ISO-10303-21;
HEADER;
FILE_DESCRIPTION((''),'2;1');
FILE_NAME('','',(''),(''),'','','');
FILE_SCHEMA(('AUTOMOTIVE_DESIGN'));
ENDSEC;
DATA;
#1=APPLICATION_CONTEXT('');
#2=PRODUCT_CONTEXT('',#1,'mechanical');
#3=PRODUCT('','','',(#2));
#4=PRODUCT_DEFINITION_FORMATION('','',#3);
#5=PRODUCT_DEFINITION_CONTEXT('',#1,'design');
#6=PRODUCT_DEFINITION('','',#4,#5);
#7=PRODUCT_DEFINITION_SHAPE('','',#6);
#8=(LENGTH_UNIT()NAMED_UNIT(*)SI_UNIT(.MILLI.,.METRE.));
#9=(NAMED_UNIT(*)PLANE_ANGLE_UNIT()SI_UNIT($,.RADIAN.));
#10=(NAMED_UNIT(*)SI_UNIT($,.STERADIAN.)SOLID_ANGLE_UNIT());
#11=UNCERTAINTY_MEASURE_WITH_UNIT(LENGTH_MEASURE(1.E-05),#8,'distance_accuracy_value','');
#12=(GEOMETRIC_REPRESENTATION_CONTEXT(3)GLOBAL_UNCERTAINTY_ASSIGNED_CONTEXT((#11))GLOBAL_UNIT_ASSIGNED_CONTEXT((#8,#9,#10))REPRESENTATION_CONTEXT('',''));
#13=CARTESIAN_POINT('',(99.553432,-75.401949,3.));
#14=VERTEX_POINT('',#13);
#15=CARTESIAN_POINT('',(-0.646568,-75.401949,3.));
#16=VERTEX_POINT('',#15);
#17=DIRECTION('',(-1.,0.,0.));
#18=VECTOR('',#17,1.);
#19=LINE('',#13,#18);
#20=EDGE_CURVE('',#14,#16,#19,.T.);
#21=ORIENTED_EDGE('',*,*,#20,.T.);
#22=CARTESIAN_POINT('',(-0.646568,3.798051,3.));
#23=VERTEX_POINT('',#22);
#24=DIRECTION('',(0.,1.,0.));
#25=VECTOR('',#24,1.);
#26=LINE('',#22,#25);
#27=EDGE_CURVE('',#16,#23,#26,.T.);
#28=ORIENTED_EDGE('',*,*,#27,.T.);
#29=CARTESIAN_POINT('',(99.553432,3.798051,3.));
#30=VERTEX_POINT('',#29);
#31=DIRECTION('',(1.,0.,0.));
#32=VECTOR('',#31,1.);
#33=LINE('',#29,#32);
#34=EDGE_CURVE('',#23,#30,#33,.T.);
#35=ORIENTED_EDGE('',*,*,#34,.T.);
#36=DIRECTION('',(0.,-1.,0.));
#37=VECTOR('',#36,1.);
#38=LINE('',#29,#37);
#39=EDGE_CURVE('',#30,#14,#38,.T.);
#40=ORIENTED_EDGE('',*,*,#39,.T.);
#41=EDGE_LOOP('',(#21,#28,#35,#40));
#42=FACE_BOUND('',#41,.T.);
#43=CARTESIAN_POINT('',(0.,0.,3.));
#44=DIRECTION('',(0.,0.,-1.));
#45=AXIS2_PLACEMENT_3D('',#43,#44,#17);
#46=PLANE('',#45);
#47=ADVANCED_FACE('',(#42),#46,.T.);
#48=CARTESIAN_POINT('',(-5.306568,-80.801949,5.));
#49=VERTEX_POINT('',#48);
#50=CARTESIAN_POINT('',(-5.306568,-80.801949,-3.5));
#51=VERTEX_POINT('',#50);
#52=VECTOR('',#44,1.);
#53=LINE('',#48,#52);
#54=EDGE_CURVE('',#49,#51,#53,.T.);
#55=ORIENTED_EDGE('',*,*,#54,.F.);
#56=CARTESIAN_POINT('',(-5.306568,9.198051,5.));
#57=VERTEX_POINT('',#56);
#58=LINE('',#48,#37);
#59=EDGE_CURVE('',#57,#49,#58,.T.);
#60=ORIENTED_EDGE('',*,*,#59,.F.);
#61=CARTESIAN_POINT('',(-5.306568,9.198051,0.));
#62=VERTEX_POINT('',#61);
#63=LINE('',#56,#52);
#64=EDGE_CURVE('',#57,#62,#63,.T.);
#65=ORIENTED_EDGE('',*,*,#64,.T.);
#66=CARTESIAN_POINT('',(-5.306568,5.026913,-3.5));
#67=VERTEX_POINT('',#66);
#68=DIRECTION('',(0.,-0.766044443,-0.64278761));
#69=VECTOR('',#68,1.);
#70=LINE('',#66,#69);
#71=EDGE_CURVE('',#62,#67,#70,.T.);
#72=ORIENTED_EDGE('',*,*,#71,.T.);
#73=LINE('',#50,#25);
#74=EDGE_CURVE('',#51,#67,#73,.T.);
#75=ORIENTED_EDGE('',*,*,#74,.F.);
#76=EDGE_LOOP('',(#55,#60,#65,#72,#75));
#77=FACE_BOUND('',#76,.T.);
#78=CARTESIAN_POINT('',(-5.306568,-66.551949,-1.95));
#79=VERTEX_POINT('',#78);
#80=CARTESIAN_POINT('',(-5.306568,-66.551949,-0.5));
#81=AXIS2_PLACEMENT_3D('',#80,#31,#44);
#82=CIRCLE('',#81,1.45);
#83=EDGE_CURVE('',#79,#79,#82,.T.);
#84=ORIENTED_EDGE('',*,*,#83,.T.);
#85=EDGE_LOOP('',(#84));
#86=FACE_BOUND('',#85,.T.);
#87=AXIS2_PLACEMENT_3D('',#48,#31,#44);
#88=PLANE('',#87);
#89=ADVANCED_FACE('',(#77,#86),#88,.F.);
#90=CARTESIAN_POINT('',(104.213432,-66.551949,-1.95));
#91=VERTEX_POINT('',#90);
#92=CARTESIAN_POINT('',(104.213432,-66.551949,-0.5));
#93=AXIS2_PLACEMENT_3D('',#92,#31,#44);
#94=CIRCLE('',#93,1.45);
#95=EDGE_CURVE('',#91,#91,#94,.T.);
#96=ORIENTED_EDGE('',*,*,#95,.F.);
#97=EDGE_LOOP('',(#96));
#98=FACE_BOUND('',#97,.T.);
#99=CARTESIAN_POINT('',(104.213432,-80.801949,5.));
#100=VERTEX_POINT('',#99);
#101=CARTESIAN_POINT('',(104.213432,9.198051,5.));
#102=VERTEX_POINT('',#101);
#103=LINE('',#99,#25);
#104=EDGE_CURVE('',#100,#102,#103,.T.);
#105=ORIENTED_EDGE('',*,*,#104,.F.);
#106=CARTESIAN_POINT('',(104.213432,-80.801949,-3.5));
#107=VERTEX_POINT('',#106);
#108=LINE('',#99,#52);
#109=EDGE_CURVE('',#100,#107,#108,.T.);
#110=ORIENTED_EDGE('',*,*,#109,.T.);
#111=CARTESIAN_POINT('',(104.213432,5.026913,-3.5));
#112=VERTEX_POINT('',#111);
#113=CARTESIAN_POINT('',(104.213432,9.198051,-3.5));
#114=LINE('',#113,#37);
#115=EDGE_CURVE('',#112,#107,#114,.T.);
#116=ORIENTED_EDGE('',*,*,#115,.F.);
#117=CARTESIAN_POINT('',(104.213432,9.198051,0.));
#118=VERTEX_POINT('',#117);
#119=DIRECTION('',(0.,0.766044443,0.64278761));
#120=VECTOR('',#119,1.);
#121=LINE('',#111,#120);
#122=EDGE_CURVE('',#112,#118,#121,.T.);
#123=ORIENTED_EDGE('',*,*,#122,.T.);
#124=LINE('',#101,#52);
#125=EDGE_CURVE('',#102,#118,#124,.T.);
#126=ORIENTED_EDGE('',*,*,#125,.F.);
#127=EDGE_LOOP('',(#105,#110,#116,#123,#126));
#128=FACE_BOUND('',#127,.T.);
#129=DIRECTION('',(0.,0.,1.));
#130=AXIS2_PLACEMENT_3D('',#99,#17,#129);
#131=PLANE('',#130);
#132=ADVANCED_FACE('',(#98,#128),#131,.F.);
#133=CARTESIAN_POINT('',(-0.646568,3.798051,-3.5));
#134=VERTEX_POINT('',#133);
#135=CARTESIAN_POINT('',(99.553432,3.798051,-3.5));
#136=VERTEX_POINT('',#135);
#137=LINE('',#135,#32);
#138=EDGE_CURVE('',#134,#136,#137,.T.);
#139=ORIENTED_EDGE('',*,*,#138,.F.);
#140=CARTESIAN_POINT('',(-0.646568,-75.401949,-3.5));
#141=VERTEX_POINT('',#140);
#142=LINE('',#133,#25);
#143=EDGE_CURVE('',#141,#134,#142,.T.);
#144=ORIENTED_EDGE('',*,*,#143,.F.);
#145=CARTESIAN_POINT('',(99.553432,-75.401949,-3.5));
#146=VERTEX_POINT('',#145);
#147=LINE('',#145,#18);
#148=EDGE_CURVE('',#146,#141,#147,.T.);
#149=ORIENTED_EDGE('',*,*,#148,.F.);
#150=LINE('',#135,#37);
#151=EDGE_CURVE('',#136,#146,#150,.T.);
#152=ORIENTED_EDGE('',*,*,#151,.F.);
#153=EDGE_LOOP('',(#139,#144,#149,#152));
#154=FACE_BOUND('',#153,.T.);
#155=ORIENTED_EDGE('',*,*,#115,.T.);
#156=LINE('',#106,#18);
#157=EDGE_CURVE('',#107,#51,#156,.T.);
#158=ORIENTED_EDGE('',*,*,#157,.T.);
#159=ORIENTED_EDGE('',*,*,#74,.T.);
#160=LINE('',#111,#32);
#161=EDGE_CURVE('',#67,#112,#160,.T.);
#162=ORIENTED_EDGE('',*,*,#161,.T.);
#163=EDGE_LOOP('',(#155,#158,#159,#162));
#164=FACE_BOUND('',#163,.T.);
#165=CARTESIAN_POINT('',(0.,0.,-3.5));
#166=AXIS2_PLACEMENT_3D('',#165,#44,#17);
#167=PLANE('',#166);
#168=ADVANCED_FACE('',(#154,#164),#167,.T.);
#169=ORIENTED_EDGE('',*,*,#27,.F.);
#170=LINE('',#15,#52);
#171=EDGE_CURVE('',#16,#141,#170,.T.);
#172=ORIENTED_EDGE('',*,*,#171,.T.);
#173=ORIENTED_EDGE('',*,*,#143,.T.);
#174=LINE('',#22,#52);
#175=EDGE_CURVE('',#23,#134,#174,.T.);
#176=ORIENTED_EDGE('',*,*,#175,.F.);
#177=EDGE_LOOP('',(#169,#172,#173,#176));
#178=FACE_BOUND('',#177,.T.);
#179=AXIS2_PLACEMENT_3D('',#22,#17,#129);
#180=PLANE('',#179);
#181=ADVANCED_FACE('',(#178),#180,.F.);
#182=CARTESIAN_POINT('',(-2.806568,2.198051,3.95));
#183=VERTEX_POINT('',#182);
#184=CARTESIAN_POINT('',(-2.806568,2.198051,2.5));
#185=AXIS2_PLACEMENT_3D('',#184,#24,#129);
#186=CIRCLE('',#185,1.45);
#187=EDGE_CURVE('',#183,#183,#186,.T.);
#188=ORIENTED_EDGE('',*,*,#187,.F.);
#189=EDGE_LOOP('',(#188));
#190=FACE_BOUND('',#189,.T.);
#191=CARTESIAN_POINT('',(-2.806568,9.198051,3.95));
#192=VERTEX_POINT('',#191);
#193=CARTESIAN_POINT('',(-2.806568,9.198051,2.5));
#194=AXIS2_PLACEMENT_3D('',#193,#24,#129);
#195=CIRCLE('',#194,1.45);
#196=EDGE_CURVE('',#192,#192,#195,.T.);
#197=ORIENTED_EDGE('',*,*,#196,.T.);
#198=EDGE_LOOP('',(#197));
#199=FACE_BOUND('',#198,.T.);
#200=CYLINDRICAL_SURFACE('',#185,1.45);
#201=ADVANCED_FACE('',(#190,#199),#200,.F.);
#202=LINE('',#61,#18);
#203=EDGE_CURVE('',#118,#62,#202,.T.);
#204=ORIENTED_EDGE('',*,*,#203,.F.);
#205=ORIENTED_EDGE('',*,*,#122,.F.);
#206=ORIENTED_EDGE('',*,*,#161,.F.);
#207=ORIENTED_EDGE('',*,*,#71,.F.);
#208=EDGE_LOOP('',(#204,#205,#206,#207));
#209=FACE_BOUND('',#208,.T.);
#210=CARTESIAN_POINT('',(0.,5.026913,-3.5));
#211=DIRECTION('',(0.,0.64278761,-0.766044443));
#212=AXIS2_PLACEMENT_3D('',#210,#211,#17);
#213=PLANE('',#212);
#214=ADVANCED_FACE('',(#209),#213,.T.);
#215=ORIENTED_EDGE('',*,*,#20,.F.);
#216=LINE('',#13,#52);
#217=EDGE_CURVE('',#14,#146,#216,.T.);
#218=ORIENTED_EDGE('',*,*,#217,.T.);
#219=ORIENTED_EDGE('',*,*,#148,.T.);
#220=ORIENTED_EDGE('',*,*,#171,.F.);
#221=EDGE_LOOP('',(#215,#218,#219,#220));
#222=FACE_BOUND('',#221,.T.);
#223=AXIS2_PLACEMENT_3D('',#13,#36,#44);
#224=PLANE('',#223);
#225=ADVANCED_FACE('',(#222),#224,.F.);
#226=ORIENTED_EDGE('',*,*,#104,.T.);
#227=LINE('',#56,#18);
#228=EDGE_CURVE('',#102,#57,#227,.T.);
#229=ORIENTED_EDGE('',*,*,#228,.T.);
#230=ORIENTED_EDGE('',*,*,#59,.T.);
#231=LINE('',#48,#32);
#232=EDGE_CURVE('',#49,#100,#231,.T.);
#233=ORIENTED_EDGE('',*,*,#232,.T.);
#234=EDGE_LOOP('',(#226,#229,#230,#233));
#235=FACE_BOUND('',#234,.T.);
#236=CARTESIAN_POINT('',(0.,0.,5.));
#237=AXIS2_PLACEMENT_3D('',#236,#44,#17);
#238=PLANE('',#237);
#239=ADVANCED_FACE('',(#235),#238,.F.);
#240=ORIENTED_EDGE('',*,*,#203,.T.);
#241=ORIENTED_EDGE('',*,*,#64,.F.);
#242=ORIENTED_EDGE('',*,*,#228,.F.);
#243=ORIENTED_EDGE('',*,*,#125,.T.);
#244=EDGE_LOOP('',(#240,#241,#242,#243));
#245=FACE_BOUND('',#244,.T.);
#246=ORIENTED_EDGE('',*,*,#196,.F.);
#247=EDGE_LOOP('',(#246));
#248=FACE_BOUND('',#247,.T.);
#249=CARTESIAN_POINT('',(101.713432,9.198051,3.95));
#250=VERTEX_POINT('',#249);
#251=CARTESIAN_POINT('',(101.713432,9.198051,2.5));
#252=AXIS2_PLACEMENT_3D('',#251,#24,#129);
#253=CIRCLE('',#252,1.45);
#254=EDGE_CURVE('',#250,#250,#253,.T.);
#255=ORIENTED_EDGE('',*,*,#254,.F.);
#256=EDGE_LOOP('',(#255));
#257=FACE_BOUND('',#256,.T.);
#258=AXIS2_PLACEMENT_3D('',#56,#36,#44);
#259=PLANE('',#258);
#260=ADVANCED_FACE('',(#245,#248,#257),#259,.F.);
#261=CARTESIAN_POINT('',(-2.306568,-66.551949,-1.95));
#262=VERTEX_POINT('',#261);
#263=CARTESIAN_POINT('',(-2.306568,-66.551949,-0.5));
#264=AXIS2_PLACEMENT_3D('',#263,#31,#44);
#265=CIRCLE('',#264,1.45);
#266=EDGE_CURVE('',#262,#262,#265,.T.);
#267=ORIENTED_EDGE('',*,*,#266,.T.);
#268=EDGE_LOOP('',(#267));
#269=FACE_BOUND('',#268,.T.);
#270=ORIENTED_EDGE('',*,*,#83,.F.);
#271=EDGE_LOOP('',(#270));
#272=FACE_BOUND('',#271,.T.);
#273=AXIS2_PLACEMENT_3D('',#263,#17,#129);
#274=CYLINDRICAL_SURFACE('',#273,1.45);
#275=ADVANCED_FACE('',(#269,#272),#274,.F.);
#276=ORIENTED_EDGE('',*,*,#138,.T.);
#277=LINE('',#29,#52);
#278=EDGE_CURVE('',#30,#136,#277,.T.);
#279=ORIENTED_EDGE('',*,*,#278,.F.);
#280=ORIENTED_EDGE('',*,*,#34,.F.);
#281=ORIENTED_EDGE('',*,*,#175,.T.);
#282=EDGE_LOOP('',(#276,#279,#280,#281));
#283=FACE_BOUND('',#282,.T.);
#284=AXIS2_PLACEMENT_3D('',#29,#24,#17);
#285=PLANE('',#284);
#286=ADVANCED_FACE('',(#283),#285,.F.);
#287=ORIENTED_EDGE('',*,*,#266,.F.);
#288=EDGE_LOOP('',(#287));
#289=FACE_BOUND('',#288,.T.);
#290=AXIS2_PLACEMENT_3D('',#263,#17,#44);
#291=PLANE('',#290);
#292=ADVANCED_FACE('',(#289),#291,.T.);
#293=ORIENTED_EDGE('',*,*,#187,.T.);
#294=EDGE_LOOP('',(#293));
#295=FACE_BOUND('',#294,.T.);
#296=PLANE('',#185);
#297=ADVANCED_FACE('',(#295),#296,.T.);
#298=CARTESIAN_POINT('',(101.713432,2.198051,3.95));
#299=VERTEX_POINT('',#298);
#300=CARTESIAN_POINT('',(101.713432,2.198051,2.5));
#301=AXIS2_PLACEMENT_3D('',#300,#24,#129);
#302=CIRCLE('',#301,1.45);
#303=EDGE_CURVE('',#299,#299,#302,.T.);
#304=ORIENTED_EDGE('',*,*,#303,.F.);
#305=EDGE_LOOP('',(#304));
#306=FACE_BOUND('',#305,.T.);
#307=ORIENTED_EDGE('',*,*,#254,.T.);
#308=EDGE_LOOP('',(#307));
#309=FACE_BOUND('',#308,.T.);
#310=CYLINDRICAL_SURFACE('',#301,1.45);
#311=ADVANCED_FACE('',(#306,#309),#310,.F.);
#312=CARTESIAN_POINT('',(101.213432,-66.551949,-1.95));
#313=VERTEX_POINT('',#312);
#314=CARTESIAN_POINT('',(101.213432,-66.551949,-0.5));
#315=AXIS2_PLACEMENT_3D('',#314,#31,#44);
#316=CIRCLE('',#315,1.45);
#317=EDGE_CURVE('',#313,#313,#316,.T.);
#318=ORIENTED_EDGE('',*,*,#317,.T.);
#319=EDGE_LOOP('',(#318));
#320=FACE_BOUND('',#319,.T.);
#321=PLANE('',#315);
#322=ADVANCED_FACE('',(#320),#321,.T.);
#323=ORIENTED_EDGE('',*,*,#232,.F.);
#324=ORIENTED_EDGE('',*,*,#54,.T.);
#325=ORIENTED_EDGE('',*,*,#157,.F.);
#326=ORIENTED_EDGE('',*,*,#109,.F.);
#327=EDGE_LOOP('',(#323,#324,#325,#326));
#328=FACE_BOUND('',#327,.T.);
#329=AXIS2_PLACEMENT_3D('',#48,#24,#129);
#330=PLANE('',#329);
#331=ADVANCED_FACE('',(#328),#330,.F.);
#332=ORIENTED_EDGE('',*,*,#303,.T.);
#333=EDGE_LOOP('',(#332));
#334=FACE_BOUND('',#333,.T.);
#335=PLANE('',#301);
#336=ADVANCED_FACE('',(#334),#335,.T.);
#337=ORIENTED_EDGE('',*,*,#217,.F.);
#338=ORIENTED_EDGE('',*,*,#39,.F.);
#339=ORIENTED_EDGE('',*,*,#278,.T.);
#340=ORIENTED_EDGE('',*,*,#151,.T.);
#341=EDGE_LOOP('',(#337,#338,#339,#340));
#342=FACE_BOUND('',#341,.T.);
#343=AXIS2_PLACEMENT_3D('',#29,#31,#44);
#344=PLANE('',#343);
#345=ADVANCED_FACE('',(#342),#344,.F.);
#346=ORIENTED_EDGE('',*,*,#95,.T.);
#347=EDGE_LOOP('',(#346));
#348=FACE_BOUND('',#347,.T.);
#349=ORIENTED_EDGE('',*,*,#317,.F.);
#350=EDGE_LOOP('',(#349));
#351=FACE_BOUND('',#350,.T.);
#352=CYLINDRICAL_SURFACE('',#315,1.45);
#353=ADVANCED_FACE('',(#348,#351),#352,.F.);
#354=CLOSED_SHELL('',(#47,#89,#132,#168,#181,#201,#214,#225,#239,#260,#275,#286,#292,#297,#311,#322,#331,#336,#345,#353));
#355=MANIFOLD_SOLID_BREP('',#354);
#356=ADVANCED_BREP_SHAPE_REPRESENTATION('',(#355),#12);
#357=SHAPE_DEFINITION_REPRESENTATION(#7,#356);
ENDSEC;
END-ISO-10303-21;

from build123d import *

# Parameters (mm, degrees)
SKETCH1_W           = 109.52
SKETCH1_H           = 90
BOSS_EXTRUDE1_DEPTH = 5
SKETCH2_R           = 1.45
CUT_EXTRUDE1_DEPTH  = 7
SKETCH4_W           = 109.52
SKETCH4_H           = 90
BOSS_EXTRUDE2_DEPTH = 3.5
CHAMFER1_SIZE       = 3.5
CHAMFER1_SIZE2      = 4.171137574
SKETCH5_W           = 100.2
SKETCH5_H           = 79.2
CUT_EXTRUDE3_DEPTH  = 6.5
SKETCH8_R           = 1.45
CUT_EXTRUDE5_DEPTH  = 3


with BuildPart() as part:
    # Sketch1 → Boss-Extrude1 (new body)
    with BuildSketch(Plane.XY):
        with Locations((49.453432203, -35.801949153)):
            Rectangle(SKETCH1_W, SKETCH1_H)
    extrude(amount=BOSS_EXTRUDE1_DEPTH)

    # Sketch2 → Cut-Extrude1 (cut)
    with BuildSketch(Plane(origin=(0, 9.198050847, 0), x_dir=(1, 0, 0), z_dir=(0, 1, 0))):
        with Locations(Location((-2.806567797, -2.5, 0), (0, 0, 270))):
            Circle(SKETCH2_R)
        with Locations(Location((101.713432203, -2.5, 0), (0, 0, 270))):
            Circle(SKETCH2_R)
    extrude(amount=-CUT_EXTRUDE1_DEPTH, mode=Mode.SUBTRACT)

    # Sketch4 → Boss-Extrude2 (add)
    with BuildSketch(Plane(origin=(0, 0, 0), x_dir=(-1, 0, 0), z_dir=(0, 0, -1))):
        with Locations((-49.453432203, -35.801949153)):
            Rectangle(SKETCH4_W, SKETCH4_H)
    extrude(amount=BOSS_EXTRUDE2_DEPTH)

    # Chamfer1
    chamfer1_edges = [part.edges().sort_by_distance(p)[0] for p in [
        (49.453432203, 9.198050847, -3.5),
    ]]
    chamfer1_side = [part.faces().sort_by_distance(p)[0] for p in [
        (49.453432203, 9.198050847, 0.724808812),
    ]]
    chamfer(chamfer1_edges, length=CHAMFER1_SIZE, length2=CHAMFER1_SIZE2, reference=chamfer1_side[0])

    # Sketch5 → Cut-Extrude3 (cut)
    with BuildSketch(Plane(origin=(0, 0, -3.5), x_dir=(-1, 0, 0), z_dir=(0, 0, -1))):
        with Locations((-49.453432203, -35.801949153)):
            Rectangle(SKETCH5_W, SKETCH5_H)
    extrude(amount=-CUT_EXTRUDE3_DEPTH, mode=Mode.SUBTRACT)

    # Sketch8 → Cut-Extrude5 (cut)
    with BuildSketch(Plane(origin=(104.213432203, 0, 0), x_dir=(0, 0, -1), z_dir=(1, 0, 0))):
        with Locations((0.5, -66.551949153)):
            Circle(SKETCH8_R)
    cut_extrude5 = extrude(amount=-CUT_EXTRUDE5_DEPTH, mode=Mode.SUBTRACT)

    # Mirror2: Cut-Extrude5 across plane
    add(cut_extrude5.mirror(Plane.ZY.offset(-49.453432203)), mode=Mode.SUBTRACT)


solid = part.part
